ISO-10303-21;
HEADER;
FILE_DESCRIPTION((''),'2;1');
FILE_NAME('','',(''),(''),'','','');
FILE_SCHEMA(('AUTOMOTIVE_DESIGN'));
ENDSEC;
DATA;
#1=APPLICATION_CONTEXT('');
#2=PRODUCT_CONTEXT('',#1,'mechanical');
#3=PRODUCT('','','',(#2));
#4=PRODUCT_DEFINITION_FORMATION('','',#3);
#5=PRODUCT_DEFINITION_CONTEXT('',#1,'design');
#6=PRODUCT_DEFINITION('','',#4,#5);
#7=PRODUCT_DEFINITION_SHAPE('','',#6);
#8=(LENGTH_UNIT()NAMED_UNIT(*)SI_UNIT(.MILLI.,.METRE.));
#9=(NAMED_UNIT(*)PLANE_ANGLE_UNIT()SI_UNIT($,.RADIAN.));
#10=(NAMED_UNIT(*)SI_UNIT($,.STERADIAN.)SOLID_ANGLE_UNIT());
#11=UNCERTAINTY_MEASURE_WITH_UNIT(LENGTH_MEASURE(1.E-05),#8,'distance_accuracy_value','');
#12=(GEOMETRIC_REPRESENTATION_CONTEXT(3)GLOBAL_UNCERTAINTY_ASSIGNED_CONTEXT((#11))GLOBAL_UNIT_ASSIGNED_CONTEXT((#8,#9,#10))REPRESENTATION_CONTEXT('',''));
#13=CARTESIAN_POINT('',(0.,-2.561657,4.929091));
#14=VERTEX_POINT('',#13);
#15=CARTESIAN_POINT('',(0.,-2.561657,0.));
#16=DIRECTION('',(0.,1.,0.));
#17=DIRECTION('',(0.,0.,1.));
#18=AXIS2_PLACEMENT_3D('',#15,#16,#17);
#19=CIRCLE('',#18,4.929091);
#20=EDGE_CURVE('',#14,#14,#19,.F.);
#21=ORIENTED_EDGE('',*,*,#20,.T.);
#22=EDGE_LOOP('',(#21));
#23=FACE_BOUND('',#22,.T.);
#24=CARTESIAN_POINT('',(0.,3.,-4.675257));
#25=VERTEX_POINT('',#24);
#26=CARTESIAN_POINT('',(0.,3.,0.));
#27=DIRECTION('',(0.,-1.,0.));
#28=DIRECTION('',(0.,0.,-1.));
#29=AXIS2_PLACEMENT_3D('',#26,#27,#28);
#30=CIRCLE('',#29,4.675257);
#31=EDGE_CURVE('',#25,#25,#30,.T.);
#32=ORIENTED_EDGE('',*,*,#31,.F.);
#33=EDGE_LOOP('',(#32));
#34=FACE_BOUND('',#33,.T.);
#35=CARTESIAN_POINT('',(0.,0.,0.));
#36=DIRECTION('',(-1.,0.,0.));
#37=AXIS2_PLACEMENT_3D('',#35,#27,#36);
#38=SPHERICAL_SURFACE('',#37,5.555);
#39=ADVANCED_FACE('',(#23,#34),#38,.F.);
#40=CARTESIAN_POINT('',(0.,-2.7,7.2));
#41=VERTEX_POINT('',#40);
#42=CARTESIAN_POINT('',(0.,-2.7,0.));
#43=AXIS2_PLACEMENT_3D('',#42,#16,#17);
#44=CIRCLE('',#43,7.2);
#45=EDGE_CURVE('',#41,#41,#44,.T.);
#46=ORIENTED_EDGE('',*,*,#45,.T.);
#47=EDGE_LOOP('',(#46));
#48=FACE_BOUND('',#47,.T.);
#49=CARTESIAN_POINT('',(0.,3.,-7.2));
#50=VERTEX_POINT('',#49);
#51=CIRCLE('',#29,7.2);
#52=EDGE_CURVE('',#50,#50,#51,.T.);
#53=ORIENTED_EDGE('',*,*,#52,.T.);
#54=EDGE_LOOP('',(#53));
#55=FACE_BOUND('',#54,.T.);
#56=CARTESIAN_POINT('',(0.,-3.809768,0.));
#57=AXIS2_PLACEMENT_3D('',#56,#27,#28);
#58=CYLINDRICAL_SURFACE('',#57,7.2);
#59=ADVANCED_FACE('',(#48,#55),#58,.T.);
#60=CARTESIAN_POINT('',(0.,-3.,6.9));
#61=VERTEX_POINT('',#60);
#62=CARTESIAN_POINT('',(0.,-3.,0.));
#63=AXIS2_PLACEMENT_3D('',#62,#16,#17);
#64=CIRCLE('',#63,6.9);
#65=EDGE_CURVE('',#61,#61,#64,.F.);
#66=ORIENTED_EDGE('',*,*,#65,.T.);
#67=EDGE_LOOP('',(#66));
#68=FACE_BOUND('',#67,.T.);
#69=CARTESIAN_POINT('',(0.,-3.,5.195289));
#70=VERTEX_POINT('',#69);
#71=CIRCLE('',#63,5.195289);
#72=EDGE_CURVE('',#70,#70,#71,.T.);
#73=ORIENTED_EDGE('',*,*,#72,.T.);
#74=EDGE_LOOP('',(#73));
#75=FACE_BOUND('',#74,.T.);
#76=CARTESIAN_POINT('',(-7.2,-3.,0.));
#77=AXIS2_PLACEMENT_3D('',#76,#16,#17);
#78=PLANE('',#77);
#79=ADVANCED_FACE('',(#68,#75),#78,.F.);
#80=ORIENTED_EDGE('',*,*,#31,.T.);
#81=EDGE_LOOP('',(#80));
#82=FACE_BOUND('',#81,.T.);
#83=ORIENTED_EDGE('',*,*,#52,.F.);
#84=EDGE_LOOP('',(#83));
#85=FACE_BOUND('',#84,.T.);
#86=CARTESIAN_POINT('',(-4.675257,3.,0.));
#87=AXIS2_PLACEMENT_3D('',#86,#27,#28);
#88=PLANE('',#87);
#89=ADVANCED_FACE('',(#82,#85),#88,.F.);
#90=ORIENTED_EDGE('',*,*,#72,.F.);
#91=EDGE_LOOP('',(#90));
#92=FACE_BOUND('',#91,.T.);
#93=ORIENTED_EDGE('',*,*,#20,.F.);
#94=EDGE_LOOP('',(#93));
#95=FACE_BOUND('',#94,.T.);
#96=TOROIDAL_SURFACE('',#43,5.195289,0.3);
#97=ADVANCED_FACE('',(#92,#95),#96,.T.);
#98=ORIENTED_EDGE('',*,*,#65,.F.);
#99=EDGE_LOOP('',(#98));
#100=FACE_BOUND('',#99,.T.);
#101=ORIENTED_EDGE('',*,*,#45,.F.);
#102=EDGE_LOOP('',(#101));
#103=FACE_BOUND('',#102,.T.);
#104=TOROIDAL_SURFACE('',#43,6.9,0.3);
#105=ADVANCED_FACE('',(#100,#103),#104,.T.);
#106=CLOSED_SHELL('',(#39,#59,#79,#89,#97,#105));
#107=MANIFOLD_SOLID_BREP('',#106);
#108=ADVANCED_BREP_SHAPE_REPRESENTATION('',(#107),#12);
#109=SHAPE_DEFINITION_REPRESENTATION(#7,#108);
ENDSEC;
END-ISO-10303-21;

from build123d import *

# Parameters (mm, degrees)
FILLET1_R = 0.3
FILLET2_R = 0.3


with BuildPart() as part:
    # Sketch1 → Revolve1 (revolve)
    with BuildSketch(Plane.XY):
        with BuildLine():
            Line((-4.675256677, 3), (-7.2, 3))
            Line((-7.2, 3), (-7.2, -3))
            Line((-7.2, -3), (-4.675256677, -3))
            ThreePointArc((-4.675256677, -3), (-5.555, 0), (-4.675256677, 3))
        make_face()
    revolve(axis=Axis((0, -3.809768202, 0), (0, 1, 0)))

    # Fillet1
    fillet1_edges = [part.edges().sort_by_distance(p)[0] for p in [
        (4.675256677, -3, 0),
    ]]
    fillet(fillet1_edges, radius=FILLET1_R)

    # Fillet2
    fillet2_edges = [part.edges().sort_by_distance(p)[0] for p in [
        (7.2, -3, 0),
    ]]
    fillet(fillet2_edges, radius=FILLET2_R)


solid = part.part
